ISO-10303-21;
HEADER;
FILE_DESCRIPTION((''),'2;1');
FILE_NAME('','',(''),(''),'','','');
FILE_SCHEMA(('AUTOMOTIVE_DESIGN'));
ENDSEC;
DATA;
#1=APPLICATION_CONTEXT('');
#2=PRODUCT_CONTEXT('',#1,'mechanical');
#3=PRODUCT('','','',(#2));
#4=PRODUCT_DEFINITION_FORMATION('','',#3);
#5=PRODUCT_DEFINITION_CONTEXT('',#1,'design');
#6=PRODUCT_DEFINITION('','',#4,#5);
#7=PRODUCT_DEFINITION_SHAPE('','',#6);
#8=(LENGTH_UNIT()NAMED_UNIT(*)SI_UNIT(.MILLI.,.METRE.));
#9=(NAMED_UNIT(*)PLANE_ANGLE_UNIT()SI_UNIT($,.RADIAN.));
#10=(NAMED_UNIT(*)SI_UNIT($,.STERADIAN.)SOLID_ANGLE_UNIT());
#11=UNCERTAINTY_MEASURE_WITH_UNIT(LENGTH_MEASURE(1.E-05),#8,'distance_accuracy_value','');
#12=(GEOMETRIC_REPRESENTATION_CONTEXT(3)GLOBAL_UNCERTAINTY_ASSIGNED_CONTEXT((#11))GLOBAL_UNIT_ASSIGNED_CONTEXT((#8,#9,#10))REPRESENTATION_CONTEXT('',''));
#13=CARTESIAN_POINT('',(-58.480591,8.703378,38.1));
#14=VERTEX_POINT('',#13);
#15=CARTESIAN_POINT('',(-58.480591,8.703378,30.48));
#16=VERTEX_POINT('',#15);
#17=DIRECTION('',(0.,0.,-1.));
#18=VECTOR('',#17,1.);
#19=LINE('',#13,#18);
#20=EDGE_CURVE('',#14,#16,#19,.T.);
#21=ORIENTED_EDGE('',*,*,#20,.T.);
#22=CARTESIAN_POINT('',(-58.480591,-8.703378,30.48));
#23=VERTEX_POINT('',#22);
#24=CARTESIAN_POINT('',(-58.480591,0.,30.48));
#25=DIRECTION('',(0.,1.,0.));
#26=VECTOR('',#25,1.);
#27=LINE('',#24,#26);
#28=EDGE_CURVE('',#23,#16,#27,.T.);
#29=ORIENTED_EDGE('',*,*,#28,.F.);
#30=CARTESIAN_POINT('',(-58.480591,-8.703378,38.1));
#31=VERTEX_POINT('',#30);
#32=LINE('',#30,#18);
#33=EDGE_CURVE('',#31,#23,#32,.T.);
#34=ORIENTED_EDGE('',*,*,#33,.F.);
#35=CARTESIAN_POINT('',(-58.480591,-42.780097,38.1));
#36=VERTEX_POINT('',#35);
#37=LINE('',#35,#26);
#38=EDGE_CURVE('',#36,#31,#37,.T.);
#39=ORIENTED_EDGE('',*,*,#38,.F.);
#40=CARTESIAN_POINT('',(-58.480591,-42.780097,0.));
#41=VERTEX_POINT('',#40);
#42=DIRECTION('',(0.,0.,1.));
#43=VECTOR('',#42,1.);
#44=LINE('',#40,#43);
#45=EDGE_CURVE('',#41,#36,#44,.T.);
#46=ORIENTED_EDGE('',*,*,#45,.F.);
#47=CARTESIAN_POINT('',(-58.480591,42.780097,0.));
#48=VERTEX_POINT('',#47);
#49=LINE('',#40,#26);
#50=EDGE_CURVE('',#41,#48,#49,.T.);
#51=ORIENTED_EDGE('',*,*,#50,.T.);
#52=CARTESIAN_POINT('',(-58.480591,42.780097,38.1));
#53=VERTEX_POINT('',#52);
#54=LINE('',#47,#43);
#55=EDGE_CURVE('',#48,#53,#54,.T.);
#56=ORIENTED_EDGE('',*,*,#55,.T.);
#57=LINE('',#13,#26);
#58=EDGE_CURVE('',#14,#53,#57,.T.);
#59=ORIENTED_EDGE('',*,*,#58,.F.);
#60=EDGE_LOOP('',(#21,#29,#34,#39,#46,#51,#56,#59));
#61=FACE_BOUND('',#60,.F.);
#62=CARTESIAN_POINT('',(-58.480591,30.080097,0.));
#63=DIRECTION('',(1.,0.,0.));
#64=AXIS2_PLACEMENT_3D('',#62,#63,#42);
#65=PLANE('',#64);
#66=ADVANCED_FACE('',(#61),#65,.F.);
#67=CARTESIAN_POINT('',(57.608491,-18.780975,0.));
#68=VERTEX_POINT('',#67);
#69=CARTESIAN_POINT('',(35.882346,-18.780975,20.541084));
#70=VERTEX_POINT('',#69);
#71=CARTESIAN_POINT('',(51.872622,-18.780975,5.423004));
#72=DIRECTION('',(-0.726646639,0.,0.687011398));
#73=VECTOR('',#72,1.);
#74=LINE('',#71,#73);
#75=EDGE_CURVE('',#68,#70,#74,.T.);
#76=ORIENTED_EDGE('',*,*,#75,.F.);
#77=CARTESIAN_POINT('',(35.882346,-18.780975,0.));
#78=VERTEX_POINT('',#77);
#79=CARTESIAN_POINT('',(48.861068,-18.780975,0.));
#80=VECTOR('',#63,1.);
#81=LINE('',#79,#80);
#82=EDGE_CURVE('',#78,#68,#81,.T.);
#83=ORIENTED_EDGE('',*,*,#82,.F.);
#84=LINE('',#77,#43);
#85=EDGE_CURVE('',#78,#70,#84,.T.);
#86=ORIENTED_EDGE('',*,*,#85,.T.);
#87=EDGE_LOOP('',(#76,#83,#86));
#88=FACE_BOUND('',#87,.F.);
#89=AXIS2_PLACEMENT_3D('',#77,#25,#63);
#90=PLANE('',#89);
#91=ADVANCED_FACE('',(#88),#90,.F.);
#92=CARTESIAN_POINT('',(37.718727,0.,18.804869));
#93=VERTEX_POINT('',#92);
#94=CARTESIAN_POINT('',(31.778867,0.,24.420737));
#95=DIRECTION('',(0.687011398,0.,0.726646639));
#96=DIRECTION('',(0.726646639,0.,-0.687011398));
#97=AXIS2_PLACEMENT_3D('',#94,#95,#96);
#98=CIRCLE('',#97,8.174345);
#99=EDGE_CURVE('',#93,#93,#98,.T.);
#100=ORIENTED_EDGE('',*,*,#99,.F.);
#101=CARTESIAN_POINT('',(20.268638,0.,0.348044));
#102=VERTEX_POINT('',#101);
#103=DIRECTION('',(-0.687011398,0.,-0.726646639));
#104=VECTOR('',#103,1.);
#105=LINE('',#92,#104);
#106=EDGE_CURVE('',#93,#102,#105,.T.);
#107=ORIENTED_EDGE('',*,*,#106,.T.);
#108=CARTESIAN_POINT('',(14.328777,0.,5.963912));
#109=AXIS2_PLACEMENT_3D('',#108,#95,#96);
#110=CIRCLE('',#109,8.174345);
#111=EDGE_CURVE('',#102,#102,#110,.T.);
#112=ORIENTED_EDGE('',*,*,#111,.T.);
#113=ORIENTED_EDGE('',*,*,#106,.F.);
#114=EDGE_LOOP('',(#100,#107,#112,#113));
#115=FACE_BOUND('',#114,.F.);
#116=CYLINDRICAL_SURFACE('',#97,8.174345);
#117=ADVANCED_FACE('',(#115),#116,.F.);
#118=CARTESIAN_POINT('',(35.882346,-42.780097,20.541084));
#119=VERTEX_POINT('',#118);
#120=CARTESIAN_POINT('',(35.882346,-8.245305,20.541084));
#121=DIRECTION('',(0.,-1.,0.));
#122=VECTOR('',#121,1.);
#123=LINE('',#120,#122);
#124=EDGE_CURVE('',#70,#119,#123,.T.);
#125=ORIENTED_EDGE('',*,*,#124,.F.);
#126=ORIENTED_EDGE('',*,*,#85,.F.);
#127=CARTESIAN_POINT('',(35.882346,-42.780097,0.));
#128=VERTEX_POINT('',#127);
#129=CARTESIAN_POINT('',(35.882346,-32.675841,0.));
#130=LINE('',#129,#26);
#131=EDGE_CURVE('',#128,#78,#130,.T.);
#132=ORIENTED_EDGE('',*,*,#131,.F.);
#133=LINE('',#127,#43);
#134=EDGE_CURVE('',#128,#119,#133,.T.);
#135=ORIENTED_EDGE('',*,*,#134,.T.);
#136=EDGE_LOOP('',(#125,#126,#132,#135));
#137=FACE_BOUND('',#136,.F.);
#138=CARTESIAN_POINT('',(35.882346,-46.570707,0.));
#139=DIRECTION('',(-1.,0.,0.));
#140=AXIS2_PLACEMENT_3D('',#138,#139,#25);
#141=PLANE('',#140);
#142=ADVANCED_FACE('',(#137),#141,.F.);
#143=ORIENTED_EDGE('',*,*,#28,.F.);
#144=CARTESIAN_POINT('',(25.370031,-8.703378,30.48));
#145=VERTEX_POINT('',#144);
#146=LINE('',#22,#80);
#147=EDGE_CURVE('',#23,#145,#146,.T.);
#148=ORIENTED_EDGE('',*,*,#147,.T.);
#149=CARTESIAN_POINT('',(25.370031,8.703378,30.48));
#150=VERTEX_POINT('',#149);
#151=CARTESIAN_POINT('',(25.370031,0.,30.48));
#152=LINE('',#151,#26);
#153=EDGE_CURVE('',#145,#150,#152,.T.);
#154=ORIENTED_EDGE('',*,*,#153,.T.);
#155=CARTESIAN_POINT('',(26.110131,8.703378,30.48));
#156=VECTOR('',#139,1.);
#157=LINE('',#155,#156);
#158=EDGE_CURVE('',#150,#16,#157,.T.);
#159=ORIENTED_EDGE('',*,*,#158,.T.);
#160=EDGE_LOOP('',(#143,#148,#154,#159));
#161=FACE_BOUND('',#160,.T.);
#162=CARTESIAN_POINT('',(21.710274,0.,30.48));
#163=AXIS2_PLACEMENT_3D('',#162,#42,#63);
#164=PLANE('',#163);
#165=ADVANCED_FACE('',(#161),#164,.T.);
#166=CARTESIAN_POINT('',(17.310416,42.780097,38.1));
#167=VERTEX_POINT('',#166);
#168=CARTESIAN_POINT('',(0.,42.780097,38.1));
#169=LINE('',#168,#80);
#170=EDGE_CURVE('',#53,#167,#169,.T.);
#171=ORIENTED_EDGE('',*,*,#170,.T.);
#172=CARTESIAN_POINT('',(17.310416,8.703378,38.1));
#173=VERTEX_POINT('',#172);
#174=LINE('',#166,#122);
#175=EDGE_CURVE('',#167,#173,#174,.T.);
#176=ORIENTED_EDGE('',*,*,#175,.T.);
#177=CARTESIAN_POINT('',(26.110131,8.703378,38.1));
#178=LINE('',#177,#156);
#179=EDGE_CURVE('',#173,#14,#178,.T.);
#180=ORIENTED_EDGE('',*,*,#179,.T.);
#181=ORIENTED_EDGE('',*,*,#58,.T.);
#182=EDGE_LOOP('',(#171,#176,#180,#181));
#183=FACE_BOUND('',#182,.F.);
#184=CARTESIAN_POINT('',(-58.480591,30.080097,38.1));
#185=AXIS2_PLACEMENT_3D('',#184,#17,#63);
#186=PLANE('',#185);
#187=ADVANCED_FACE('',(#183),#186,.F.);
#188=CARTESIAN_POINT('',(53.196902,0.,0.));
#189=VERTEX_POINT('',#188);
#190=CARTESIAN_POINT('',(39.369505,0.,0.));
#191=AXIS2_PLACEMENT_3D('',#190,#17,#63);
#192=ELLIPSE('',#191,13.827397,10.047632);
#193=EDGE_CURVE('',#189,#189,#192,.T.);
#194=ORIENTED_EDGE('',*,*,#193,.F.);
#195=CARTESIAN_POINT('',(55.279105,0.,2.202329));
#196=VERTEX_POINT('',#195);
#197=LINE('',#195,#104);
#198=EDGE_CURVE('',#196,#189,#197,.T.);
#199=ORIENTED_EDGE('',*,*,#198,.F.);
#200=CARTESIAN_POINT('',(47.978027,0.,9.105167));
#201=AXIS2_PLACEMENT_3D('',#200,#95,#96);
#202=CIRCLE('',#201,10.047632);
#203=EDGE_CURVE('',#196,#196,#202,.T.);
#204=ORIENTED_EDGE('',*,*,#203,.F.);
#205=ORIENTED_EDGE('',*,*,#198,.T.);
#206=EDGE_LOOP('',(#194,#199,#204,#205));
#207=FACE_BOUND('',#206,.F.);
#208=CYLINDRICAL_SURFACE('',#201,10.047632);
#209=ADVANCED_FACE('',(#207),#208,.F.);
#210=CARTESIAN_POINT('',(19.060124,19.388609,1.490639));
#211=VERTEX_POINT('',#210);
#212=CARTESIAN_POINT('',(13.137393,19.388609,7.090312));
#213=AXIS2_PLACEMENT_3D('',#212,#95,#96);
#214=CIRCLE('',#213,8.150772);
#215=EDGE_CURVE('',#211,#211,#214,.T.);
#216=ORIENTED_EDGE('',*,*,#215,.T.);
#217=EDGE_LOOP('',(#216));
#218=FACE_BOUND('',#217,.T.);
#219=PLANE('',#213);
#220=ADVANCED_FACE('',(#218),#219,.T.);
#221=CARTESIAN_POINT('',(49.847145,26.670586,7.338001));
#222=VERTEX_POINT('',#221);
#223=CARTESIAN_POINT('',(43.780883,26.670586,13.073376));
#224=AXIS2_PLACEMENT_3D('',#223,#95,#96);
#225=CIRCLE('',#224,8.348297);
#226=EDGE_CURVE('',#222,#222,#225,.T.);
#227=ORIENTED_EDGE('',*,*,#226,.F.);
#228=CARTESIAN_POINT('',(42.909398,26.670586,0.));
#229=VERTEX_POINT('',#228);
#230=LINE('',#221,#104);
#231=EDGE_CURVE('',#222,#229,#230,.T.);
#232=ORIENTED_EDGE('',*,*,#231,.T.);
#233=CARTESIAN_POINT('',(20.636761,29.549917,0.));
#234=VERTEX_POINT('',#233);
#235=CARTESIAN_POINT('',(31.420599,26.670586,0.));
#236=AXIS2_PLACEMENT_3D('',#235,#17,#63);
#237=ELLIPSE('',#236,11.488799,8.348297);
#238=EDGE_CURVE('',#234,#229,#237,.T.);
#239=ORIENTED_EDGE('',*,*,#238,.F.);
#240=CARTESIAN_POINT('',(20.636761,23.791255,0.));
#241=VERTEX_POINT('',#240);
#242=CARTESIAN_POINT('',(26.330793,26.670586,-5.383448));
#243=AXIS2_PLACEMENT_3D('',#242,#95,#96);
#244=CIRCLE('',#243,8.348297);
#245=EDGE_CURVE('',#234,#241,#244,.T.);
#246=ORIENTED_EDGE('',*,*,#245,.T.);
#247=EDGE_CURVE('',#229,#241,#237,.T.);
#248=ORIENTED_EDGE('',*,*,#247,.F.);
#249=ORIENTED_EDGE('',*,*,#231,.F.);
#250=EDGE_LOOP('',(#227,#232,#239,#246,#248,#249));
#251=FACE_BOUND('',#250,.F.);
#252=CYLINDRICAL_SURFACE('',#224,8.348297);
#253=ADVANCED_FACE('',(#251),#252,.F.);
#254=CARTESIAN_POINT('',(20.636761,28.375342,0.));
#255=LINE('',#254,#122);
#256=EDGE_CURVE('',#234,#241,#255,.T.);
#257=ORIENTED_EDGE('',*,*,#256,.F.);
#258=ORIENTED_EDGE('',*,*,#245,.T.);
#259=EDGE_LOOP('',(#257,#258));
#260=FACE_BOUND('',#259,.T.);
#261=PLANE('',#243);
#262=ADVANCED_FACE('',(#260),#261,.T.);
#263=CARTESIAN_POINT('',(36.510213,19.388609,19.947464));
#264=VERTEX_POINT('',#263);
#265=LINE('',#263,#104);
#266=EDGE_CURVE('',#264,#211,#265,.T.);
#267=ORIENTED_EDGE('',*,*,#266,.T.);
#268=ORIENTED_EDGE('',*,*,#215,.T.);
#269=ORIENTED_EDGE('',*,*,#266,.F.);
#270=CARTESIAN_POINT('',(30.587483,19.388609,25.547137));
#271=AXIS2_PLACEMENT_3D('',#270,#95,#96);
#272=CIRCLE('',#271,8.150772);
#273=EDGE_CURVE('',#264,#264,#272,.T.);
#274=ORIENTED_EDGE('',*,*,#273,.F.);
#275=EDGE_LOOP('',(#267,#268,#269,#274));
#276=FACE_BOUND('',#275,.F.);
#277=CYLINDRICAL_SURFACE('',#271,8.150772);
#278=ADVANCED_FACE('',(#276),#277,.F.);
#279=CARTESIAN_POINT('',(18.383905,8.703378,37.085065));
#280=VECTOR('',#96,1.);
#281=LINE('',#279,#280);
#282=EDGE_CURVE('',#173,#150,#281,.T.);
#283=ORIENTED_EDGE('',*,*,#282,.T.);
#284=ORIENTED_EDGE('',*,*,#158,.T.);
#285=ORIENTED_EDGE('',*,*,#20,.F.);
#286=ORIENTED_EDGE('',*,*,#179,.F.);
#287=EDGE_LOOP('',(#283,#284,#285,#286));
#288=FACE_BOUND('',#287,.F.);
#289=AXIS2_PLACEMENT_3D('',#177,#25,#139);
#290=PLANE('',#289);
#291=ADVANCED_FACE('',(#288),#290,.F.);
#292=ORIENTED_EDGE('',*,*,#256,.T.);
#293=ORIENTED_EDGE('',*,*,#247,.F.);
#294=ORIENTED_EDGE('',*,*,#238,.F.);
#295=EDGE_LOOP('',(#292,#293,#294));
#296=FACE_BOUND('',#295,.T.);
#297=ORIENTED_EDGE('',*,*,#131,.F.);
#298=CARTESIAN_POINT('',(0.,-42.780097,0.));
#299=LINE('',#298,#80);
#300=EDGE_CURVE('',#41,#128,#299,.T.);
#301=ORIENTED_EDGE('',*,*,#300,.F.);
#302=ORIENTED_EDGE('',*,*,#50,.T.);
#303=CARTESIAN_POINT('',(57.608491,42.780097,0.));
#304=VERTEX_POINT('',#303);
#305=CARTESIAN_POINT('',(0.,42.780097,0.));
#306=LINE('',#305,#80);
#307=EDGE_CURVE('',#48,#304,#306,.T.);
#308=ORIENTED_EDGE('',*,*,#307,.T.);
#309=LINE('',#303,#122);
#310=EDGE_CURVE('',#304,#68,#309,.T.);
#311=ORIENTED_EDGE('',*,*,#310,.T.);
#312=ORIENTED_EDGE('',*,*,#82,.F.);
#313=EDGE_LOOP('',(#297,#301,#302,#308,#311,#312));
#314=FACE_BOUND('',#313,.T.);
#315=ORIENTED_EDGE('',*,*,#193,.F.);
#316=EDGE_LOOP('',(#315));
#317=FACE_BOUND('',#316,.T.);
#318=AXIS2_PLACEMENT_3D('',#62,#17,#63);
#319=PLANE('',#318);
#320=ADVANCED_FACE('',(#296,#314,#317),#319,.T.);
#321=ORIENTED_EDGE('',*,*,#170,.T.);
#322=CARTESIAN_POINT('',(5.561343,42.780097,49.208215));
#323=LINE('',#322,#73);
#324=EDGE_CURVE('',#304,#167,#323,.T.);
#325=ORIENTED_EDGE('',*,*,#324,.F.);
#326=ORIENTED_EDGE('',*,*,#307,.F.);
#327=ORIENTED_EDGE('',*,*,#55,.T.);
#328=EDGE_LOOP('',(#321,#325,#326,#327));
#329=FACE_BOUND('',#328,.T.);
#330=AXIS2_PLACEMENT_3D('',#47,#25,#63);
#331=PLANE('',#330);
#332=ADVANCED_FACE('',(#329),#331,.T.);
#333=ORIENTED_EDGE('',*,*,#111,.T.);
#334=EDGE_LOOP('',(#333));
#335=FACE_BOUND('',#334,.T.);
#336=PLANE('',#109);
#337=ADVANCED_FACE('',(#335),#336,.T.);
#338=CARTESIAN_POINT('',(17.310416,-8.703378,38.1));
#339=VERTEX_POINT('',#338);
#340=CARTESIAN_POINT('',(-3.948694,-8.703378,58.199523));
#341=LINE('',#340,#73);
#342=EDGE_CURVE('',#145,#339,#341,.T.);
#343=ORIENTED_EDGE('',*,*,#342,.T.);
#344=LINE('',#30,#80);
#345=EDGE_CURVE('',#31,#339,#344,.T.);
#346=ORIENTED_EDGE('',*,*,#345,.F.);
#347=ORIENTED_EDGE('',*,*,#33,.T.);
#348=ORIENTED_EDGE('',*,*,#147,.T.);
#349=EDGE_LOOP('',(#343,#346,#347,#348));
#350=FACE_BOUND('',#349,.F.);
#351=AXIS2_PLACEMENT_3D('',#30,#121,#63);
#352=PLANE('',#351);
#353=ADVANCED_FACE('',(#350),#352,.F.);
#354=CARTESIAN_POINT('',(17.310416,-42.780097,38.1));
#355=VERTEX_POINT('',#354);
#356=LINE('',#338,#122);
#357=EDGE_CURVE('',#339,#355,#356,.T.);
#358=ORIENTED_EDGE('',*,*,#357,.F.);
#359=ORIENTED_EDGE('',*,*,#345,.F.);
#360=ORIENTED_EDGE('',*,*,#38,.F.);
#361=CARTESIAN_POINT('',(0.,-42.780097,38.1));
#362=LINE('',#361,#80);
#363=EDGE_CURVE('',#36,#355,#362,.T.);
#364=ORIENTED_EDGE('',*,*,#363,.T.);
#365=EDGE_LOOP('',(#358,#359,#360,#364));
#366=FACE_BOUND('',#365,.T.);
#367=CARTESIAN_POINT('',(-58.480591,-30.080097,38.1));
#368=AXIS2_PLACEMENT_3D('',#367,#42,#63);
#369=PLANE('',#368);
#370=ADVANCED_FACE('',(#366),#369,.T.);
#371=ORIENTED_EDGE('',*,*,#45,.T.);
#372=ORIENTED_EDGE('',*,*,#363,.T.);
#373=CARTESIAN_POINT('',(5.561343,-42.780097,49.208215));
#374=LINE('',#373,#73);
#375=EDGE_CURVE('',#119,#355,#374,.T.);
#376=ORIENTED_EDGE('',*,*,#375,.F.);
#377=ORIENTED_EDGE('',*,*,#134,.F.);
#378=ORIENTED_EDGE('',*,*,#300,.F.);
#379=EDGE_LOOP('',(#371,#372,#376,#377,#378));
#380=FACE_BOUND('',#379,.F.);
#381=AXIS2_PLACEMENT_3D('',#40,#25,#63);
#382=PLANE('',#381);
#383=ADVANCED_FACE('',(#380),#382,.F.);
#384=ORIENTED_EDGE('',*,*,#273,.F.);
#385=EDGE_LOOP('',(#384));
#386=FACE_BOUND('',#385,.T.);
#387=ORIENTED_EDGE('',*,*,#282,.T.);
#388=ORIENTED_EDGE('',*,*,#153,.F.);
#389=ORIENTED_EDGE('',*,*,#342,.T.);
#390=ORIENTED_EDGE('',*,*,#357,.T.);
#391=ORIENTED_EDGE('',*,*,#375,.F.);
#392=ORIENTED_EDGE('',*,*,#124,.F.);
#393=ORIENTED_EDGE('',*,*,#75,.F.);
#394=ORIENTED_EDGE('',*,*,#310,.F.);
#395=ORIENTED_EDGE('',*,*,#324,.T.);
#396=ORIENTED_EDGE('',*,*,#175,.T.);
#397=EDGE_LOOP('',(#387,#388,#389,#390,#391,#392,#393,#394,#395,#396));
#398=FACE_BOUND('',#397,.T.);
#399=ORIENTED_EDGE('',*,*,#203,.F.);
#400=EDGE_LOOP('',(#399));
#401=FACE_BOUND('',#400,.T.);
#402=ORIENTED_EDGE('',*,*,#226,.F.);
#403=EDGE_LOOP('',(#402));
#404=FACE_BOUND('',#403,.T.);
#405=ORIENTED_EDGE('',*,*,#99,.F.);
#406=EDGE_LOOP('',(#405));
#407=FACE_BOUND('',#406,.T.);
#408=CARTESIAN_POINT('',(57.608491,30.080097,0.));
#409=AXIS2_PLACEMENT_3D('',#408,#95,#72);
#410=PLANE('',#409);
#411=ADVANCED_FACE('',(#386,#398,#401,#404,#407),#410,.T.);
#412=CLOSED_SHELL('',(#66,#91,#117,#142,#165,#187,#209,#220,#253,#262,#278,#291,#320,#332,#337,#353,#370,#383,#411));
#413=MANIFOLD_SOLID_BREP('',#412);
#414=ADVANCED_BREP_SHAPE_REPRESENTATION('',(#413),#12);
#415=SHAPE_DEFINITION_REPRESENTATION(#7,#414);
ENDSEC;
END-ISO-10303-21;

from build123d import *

# Parameters (mm, degrees)
F0_W      = 116.9611811638
F0_H      = 60.1601935923
F1_DEPTH  = 38.1
F3_DEPTH  = 31.75
F4_W      = 8.79971501
F4_H      = 17.4067560583
F4_W_2    = 75.7910068654
F5_DEPTH  = 7.62
F6_DEPTH  = 12.7
F7_DEPTH  = 12.7
F8_W      = 25.9574428201
F8_H      = 27.7897324413
F9_DEPTH  = 25.4
F10_R     = 8.1507716862
F11_DEPTH = 25.4
F12_R     = 8.1743450513
F13_DEPTH = 25.4
F14_R     = 10.0476315022
F15_DEPTH = 25.4
F16_R     = 8.34829694
F17_DEPTH = 25.4


with BuildPart() as f1:
    # F0 (on Top) → F1 (new body)
    with BuildSketch(Plane.XY):
        Rectangle(F0_W, F0_H)
    extrude(amount=F1_DEPTH)

    # F2 (on Front) → F3 (cut, symmetric)
    with BuildSketch(Plane.XZ):
        Polygon((13.2841020823, 43.822273612), (14.8110100999, 40.4630750418), (65.1989877224, -7.1764695458), (65.1989877224, 43.822273612), align=None)
    extrude(amount=F3_DEPTH, both=True, mode=Mode.SUBTRACT)

    # F4 (on face) → F5 (cut)
    with BuildSketch(Plane.XY.offset(38.1)):
        with Locations((21.7102737885, 0)):
            Rectangle(F4_W, F4_H)
        with Locations((-20.5850871492, 0)):
            Rectangle(F4_W_2, F4_H)
    extrude(amount=-F5_DEPTH, mode=Mode.SUBTRACT)

    # F6 (add): a face of the model
    f6_faces = [f1.faces().sort_by_distance(p)[0] for p in [
        (-9.8052950563, -30.0800967962, 17.7163922315),
    ]]
    extrude(f6_faces, amount=F6_DEPTH)

    # F7 (add): a face of the model
    f7_faces = [f1.faces().sort_by_distance(p)[0] for p in [
        (-9.8052950563, 30.0800967962, 17.7163922315),
    ]]
    extrude(f7_faces, amount=F7_DEPTH)

    # F8 (on Top) → F9 (cut)
    with BuildSketch(Plane.XY):
        with Locations((48.8610677421, -32.6758408919)):
            Rectangle(F8_W, F8_H)
    extrude(amount=F9_DEPTH, mode=Mode.SUBTRACT)

    # F10 (on face) → F11 (cut)
    with BuildSketch(Plane(origin=(27.1903243303, 0, 28.7589956151), x_dir=(0.7266466393, 0, -0.6870113985), z_dir=(0.6870113985, 0, 0.7266466393))):
        with Locations((4.6751173213, 19.3886086345)):
            Circle(F10_R)
    extrude(amount=-F11_DEPTH, mode=Mode.SUBTRACT)

    # F12 (on face) → F13 (cut)
    with BuildSketch(Plane(origin=(27.1903243303, 0, 28.7589956151), x_dir=(0.7266466393, 0, -0.6870113985), z_dir=(0.6870113985, 0, 0.7266466393))):
        with Locations((6.3146823086, 0)):
            Circle(F12_R)
    extrude(amount=-F13_DEPTH, mode=Mode.SUBTRACT)

    # F14 (on face) → F15 (cut)
    with BuildSketch(Plane(origin=(27.1903243303, 0, 28.7589956151), x_dir=(0.7266466393, 0, -0.6870113985), z_dir=(0.6870113985, 0, 0.7266466393))):
        with Locations((28.6077186465, 0)):
            Circle(F14_R)
    extrude(amount=-F15_DEPTH, mode=Mode.SUBTRACT)

    # F16 (on face) → F17 (cut)
    with BuildSketch(Plane(origin=(27.1903243303, 0, 28.7589956151), x_dir=(0.7266466393, 0, -0.6870113985), z_dir=(0.6870113985, 0, 0.7266466393))):
        with Locations((22.8316728026, 26.6705863178)):
            Circle(F16_R)
    extrude(amount=-F17_DEPTH, mode=Mode.SUBTRACT)


solid = f1.part
